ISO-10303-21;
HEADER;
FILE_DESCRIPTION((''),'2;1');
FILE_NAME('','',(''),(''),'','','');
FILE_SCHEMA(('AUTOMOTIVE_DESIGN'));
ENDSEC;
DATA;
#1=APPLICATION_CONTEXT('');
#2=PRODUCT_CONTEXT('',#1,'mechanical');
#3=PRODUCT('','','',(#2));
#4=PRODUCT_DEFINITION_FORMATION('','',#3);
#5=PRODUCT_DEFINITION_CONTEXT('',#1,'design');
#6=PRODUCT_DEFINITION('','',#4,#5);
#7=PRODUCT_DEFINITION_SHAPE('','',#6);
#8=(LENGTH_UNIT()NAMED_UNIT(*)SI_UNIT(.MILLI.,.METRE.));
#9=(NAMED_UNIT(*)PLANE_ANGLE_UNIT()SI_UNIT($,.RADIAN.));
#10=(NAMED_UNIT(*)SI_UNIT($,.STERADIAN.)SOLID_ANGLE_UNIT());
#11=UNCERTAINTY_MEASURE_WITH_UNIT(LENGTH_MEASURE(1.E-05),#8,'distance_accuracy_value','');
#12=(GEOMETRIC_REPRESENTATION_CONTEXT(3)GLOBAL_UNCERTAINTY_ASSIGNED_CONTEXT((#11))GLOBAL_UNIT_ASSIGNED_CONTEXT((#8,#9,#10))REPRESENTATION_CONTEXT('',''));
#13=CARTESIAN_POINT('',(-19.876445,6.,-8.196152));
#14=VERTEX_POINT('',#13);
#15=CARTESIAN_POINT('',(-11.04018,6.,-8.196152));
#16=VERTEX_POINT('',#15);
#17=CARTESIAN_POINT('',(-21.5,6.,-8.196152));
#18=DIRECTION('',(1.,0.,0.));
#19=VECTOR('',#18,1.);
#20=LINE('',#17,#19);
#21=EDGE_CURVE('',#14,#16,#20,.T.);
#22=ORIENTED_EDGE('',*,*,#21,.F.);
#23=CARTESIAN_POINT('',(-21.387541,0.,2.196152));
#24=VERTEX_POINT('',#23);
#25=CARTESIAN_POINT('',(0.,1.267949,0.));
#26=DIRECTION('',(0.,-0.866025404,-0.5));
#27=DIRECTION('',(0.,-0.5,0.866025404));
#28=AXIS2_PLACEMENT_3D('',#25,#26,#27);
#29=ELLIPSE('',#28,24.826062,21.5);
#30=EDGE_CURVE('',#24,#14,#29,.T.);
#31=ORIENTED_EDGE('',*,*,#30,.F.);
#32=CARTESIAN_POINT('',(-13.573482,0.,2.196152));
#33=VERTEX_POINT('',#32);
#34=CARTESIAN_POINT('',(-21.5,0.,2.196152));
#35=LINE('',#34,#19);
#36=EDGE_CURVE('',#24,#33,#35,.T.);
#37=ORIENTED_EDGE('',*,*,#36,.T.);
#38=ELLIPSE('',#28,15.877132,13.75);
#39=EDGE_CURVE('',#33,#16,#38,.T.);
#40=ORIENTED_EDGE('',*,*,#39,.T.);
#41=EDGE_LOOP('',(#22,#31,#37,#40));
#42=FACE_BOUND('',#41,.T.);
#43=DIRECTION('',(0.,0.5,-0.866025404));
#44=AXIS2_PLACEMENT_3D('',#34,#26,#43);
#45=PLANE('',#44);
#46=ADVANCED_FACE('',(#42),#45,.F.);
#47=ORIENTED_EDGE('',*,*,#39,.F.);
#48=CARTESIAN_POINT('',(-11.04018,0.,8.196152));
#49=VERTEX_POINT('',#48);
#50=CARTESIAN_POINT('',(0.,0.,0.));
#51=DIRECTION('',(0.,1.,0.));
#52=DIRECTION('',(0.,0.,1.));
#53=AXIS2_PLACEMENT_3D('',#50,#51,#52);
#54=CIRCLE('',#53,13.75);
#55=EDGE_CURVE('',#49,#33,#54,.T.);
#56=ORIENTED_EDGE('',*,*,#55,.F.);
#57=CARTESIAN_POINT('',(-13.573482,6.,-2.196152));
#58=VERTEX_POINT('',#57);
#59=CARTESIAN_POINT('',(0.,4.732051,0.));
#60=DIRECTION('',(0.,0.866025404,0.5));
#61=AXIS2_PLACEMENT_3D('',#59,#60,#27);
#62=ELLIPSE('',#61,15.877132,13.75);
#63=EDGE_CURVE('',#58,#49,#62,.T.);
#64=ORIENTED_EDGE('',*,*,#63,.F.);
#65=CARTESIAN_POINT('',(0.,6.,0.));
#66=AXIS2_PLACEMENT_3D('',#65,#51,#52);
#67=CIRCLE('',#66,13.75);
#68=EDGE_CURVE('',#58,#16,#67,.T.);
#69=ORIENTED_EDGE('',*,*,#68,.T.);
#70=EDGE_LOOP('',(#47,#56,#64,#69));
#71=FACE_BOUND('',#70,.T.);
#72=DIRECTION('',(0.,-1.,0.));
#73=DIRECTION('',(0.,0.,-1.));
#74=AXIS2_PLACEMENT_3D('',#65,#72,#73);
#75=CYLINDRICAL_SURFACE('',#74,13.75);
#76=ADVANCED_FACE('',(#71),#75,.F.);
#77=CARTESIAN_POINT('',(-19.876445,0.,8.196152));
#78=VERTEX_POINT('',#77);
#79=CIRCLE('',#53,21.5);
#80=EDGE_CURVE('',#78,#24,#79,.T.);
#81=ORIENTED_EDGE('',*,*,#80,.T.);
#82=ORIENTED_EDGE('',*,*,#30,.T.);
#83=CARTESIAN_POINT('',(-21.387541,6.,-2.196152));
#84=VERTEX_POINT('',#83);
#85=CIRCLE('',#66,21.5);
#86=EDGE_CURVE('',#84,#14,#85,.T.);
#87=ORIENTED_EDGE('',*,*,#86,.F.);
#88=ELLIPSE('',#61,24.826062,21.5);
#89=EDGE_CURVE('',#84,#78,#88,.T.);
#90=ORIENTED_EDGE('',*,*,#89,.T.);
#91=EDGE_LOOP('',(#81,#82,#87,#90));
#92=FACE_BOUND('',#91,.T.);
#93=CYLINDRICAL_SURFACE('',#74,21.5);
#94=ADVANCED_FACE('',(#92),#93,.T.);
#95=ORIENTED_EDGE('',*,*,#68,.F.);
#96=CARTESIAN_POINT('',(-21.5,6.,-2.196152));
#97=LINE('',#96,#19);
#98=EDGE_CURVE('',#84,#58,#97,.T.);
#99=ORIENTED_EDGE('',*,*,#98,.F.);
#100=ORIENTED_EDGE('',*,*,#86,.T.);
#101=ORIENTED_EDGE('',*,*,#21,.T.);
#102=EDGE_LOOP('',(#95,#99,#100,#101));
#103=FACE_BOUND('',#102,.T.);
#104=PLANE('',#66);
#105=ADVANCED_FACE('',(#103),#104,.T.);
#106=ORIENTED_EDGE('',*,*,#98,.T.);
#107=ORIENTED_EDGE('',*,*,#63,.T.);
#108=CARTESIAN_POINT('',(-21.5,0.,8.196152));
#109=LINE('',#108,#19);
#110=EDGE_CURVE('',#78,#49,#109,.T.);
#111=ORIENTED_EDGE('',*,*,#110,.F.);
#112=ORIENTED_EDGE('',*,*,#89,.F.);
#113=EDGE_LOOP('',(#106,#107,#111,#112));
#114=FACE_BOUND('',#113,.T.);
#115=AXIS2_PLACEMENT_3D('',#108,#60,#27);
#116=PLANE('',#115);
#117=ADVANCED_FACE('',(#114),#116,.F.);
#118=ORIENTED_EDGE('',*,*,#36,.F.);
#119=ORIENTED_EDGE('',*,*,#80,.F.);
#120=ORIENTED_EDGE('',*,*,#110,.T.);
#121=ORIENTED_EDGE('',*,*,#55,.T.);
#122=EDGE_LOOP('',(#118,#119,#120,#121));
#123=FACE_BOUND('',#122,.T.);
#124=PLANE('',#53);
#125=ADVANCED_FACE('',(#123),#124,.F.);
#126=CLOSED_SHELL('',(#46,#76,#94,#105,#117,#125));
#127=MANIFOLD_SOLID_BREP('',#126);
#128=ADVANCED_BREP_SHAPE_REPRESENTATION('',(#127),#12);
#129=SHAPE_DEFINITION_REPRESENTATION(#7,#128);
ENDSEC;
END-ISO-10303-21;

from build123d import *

# Parameters (mm, degrees)
SKETCH1_R      = 21.5
SKETCH1_R_2    = 13.75
EXTRUDE1_DEPTH = 6
EXTRUDE2_DEPTH = 31.991934435


with BuildPart() as part:
    # Sketch1 → Extrude1 (new body)
    with BuildSketch(Plane(origin=(0, 0, 0), x_dir=(1, 0, 0), z_dir=(0, 1, 0))):
        with Locations(Location((0, 0, 0), (0, 0, 270))):
            Circle(SKETCH1_R)
        with Locations(Location((0, 0, 0), (0, 0, 270))):
            Circle(SKETCH1_R_2, mode=Mode.SUBTRACT)
    extrude(amount=EXTRUDE1_DEPTH)

    # Sketch2 → Extrude2 (cut, through all)
    with BuildSketch(Plane(origin=(0, 0, 0), x_dir=(0, 0, -1), z_dir=(1, 0, 0))):
        Polygon((-8.196152423, 0), (-2.196152423, 0), (8.196152423, 6), (2.196152423, 6), align=None)
    extrude(amount=-EXTRUDE2_DEPTH, mode=Mode.SUBTRACT)


solid = part.part
